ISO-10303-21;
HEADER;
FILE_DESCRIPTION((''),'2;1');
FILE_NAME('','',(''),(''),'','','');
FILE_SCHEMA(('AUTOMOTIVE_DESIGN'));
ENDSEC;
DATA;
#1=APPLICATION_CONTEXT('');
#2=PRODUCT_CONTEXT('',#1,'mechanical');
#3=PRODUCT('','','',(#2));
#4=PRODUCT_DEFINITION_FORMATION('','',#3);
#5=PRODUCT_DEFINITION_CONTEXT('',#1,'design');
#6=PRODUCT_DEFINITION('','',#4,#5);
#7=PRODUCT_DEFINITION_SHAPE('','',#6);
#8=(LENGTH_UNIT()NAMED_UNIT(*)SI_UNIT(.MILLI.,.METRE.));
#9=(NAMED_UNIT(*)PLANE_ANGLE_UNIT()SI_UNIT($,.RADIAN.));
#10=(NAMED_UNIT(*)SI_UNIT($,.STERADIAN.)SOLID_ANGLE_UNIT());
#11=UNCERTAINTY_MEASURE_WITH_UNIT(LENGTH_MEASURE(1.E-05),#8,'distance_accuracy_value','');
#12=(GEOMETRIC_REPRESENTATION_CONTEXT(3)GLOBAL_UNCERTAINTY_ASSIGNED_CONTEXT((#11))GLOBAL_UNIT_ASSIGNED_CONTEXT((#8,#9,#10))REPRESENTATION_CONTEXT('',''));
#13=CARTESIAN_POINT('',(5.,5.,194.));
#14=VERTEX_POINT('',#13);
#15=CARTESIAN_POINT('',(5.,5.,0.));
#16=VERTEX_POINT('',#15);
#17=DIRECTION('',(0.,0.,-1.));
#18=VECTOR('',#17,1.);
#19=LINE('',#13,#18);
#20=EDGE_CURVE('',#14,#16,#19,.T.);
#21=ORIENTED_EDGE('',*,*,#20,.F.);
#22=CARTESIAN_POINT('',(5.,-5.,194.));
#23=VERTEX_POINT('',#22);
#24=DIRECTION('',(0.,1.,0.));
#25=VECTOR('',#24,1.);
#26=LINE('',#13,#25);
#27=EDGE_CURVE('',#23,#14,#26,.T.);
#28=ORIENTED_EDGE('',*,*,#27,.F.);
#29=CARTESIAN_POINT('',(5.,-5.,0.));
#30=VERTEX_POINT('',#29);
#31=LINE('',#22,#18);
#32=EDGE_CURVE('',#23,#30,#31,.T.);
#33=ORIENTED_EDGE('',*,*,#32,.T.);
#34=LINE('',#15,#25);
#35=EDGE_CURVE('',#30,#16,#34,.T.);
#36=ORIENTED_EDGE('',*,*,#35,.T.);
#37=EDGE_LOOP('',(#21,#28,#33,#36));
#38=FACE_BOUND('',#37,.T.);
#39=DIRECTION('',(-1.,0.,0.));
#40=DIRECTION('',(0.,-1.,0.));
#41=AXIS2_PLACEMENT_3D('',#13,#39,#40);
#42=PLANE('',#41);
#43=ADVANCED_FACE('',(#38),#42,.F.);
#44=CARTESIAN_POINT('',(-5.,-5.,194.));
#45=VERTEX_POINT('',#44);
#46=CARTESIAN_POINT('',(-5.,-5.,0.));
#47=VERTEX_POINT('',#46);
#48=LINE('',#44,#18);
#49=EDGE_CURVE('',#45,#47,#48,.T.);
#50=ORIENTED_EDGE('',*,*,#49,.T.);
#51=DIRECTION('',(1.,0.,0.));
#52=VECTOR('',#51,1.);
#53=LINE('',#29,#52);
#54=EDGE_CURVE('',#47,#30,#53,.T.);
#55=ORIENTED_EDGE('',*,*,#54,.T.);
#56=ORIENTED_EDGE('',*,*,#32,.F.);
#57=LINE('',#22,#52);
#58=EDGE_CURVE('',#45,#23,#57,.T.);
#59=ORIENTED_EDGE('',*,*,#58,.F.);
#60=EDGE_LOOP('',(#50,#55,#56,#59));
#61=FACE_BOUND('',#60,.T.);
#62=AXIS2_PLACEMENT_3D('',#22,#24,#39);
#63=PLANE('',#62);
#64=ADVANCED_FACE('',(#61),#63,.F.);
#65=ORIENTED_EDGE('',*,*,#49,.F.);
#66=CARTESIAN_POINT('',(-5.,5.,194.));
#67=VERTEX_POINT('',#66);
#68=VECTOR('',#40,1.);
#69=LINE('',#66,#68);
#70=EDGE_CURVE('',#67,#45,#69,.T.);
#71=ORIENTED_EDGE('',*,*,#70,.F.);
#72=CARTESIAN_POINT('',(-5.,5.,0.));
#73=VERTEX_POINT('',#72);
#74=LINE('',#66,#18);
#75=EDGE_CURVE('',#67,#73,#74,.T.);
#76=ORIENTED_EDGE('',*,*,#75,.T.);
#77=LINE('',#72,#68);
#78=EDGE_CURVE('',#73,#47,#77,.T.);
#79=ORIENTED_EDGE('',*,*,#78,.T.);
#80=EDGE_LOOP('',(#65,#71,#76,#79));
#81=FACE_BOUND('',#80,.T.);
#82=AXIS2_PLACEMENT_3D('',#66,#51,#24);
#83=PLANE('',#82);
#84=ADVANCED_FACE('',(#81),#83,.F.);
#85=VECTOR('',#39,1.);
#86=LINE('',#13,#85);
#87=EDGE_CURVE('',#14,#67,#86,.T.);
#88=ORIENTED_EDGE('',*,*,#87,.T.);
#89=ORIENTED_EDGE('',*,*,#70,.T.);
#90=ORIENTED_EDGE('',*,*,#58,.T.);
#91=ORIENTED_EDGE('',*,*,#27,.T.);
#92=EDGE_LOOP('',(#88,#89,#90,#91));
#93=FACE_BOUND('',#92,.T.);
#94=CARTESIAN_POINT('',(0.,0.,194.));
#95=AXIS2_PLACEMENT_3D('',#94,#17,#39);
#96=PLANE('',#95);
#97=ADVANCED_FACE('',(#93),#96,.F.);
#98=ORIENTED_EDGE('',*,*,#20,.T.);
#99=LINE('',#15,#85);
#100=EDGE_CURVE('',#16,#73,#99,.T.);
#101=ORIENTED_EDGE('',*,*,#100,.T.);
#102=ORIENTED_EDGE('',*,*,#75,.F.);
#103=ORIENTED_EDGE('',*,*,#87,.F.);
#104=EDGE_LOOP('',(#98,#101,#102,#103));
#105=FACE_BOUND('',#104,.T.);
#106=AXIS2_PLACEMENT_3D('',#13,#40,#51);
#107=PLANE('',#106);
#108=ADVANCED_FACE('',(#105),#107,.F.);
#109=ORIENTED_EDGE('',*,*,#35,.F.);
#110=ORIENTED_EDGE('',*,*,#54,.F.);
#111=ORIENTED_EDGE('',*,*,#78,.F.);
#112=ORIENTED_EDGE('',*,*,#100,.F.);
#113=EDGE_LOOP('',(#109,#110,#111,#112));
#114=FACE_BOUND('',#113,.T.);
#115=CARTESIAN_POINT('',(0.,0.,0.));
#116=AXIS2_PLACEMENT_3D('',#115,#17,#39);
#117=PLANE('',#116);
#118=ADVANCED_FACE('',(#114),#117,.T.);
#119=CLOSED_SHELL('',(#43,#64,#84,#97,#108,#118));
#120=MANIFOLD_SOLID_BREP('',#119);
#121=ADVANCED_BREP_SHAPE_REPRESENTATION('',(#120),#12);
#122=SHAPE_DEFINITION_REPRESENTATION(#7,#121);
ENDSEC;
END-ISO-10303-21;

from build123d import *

# Parameters (mm, degrees)
SKETCH1_W           = 10
SKETCH1_H           = 10
BOSS_EXTRUDE1_DEPTH = 194


with BuildPart() as part:
    # Sketch1 → Boss-Extrude1 (new body)
    with BuildSketch(Plane.XY):
        Rectangle(SKETCH1_W, SKETCH1_H)
    extrude(amount=BOSS_EXTRUDE1_DEPTH)


solid = part.part
